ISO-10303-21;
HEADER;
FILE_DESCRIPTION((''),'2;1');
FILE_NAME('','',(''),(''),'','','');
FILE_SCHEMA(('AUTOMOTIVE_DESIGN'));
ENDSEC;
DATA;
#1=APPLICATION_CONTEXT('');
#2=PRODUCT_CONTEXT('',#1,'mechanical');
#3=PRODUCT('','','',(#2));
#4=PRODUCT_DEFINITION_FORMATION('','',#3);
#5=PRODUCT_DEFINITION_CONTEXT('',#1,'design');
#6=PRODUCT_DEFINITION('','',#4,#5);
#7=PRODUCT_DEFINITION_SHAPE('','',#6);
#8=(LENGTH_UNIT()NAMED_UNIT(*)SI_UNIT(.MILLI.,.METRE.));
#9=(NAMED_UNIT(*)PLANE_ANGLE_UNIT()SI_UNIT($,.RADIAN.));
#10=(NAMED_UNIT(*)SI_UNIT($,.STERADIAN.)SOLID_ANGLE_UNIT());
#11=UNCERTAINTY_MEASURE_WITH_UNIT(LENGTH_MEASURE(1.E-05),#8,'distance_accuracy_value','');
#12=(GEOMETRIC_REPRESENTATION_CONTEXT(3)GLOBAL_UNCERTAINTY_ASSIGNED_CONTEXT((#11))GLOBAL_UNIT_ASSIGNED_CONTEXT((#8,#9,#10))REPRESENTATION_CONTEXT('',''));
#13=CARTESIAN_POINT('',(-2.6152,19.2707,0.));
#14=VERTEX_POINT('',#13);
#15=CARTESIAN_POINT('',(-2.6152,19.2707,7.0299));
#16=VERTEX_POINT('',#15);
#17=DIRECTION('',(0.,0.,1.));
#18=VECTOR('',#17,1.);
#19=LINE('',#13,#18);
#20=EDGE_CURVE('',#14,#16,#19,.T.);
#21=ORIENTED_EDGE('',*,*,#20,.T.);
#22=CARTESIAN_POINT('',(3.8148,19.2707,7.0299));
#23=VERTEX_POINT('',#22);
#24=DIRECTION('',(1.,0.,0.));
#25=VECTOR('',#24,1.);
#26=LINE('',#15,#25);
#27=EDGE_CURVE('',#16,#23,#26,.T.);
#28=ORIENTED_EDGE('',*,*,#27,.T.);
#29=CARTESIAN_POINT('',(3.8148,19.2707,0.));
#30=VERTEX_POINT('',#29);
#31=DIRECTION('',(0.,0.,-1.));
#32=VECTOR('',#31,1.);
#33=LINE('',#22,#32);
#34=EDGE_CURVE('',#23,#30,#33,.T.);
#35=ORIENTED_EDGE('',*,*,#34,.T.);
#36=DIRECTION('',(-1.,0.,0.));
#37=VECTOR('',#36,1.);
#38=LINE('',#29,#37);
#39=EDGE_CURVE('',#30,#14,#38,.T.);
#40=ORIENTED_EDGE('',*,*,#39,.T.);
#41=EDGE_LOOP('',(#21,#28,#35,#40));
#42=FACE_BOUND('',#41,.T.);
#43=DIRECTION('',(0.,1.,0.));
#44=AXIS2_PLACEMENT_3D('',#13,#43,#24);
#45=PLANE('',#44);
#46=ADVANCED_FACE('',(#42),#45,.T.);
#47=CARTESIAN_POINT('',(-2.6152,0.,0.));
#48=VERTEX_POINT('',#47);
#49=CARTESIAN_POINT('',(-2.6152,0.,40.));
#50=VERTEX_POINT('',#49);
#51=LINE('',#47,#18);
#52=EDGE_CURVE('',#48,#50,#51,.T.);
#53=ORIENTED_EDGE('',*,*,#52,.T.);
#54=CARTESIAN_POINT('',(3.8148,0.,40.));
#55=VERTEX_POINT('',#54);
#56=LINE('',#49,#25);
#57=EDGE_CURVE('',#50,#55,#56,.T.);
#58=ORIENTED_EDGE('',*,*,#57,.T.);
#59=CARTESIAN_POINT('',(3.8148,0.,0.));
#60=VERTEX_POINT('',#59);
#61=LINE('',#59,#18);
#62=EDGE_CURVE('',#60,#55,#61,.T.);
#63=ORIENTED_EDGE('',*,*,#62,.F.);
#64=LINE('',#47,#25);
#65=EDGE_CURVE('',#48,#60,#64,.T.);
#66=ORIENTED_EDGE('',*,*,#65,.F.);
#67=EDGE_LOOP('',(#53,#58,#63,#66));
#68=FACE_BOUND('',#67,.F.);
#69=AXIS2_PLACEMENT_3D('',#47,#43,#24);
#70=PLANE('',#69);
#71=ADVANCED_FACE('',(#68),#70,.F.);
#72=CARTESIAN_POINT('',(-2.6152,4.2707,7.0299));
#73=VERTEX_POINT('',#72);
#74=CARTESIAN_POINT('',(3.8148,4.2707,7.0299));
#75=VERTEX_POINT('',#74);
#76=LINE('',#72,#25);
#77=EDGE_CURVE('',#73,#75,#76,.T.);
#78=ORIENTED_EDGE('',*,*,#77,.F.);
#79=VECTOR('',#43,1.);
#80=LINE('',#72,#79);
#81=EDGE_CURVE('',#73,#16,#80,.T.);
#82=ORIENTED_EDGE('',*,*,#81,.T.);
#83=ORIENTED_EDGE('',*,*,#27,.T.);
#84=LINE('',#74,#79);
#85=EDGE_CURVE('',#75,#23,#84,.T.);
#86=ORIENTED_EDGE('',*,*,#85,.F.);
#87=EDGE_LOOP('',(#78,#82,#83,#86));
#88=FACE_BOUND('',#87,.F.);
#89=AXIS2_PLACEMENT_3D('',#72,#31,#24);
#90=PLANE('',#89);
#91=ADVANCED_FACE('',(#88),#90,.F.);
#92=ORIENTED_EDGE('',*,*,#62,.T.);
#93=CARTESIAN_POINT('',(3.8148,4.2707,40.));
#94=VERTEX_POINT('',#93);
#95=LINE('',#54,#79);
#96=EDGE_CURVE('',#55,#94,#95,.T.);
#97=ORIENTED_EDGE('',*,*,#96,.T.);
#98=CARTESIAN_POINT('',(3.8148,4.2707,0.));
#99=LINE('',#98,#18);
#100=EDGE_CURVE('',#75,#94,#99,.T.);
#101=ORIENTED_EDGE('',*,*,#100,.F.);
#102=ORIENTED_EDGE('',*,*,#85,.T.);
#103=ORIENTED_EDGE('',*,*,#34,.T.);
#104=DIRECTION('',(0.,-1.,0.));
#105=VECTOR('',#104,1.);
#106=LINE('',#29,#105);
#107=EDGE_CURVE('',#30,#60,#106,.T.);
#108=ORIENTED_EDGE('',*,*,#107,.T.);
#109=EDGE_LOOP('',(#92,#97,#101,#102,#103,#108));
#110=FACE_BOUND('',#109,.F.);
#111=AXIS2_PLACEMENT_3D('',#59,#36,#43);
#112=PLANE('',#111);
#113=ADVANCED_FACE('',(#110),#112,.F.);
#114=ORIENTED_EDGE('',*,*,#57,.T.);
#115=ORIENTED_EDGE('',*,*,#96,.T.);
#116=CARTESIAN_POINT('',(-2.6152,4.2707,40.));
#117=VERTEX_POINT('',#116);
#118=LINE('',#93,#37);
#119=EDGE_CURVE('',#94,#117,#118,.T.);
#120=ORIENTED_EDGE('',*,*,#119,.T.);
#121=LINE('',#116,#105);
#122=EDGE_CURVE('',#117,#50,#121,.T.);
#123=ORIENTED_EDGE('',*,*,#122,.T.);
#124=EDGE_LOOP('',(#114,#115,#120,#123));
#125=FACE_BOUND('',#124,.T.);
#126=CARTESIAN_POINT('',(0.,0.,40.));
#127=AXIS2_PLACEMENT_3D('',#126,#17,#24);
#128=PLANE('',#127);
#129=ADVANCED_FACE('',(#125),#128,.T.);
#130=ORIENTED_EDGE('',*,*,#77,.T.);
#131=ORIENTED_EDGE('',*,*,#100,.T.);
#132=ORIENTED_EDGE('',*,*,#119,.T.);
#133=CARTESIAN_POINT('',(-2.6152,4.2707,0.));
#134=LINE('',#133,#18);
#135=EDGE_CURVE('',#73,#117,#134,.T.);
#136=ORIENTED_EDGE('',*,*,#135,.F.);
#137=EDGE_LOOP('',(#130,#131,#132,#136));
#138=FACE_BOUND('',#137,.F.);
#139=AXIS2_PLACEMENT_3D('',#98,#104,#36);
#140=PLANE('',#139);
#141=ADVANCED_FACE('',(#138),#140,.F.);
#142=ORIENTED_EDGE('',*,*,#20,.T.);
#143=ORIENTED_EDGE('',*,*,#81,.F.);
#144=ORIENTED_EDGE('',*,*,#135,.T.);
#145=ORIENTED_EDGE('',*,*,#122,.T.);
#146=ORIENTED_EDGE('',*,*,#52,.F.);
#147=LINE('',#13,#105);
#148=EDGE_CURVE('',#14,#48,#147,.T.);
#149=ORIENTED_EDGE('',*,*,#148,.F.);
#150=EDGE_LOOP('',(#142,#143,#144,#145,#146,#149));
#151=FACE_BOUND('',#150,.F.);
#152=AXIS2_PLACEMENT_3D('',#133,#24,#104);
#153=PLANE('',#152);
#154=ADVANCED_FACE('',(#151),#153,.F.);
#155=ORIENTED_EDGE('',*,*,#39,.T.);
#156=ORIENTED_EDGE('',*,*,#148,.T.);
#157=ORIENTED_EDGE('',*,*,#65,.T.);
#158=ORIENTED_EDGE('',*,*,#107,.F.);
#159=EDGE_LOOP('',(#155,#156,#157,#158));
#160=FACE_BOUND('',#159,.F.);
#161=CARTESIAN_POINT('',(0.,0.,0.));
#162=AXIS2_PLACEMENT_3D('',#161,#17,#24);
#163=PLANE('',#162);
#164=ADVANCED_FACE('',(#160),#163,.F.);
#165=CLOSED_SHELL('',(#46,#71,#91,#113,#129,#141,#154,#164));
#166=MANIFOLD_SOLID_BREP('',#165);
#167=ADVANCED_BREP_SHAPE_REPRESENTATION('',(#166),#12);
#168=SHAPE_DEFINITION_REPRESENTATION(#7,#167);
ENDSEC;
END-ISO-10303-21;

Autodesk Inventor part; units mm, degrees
ref_plane "YZ Plane" through (0, 0, 0) normal (1, 0, 0) x (0, 1, 0)
ref_plane "XZ Plane" through (0, 0, 0) normal (0, 1, 0) x (-1, 0, 0)
ref_plane "XY Plane" through (0, 0, 0) normal (0, 0, 1) x (1, 0, 0)
sketch "Sketch1" plane through (0, 0, 0) normal (0, 0, 1) x (1, 0, 0)
  line L0 (-2.6152, 0) -> (3.8148, 0)
  line L1 (3.8148, 0) -> (3.8148, 4.2707)
  line L2 (3.8148, 4.2707) -> (-2.6152, 4.2707)
  line L3 (-2.6152, 4.2707) -> (-2.6152, 0)
  point P0 (0, 0)
extrude "Extrusion1" add sketch "Sketch1" along normal blind 40
sketch "Sketch2" plane through (-2.6152, 4.2707, 0) normal (0, 1, 0) x (1, 0, 0)
  line L0 (0, 0) -> (0, -40) projected
  line L1 (0, -7.0299) -> (6.43, -7.0299)
  line L2 (6.43, -7.0299) -> (6.43, 0)
  line L3 (6.43, 0) -> (0, 0)
  line L4 (0, 0) -> (0, -7.0299)
  point P0 (2.6152, 0)
extrude "Extrusion2" add sketch "Sketch2" along normal blind 15
equation "\"BendRadius\" = Thickness"
equation "\"BendReliefWidth\" = Thickness"
equation "\"BendReliefDepth\" = 0.5 * Thickness"
equation "\"CornerReliefSize\" = 4 * Thickness"
equation "\"MinimumRemnant\" = 2 * Thickness"
equation "\"TransitionRadius\" = BendRadius"
equation "\"JacobiRadiusSize\" = BendRadius"
equation "\"GapSize\" = Thickness"
equation "\"Thickness\" = 0.5"
